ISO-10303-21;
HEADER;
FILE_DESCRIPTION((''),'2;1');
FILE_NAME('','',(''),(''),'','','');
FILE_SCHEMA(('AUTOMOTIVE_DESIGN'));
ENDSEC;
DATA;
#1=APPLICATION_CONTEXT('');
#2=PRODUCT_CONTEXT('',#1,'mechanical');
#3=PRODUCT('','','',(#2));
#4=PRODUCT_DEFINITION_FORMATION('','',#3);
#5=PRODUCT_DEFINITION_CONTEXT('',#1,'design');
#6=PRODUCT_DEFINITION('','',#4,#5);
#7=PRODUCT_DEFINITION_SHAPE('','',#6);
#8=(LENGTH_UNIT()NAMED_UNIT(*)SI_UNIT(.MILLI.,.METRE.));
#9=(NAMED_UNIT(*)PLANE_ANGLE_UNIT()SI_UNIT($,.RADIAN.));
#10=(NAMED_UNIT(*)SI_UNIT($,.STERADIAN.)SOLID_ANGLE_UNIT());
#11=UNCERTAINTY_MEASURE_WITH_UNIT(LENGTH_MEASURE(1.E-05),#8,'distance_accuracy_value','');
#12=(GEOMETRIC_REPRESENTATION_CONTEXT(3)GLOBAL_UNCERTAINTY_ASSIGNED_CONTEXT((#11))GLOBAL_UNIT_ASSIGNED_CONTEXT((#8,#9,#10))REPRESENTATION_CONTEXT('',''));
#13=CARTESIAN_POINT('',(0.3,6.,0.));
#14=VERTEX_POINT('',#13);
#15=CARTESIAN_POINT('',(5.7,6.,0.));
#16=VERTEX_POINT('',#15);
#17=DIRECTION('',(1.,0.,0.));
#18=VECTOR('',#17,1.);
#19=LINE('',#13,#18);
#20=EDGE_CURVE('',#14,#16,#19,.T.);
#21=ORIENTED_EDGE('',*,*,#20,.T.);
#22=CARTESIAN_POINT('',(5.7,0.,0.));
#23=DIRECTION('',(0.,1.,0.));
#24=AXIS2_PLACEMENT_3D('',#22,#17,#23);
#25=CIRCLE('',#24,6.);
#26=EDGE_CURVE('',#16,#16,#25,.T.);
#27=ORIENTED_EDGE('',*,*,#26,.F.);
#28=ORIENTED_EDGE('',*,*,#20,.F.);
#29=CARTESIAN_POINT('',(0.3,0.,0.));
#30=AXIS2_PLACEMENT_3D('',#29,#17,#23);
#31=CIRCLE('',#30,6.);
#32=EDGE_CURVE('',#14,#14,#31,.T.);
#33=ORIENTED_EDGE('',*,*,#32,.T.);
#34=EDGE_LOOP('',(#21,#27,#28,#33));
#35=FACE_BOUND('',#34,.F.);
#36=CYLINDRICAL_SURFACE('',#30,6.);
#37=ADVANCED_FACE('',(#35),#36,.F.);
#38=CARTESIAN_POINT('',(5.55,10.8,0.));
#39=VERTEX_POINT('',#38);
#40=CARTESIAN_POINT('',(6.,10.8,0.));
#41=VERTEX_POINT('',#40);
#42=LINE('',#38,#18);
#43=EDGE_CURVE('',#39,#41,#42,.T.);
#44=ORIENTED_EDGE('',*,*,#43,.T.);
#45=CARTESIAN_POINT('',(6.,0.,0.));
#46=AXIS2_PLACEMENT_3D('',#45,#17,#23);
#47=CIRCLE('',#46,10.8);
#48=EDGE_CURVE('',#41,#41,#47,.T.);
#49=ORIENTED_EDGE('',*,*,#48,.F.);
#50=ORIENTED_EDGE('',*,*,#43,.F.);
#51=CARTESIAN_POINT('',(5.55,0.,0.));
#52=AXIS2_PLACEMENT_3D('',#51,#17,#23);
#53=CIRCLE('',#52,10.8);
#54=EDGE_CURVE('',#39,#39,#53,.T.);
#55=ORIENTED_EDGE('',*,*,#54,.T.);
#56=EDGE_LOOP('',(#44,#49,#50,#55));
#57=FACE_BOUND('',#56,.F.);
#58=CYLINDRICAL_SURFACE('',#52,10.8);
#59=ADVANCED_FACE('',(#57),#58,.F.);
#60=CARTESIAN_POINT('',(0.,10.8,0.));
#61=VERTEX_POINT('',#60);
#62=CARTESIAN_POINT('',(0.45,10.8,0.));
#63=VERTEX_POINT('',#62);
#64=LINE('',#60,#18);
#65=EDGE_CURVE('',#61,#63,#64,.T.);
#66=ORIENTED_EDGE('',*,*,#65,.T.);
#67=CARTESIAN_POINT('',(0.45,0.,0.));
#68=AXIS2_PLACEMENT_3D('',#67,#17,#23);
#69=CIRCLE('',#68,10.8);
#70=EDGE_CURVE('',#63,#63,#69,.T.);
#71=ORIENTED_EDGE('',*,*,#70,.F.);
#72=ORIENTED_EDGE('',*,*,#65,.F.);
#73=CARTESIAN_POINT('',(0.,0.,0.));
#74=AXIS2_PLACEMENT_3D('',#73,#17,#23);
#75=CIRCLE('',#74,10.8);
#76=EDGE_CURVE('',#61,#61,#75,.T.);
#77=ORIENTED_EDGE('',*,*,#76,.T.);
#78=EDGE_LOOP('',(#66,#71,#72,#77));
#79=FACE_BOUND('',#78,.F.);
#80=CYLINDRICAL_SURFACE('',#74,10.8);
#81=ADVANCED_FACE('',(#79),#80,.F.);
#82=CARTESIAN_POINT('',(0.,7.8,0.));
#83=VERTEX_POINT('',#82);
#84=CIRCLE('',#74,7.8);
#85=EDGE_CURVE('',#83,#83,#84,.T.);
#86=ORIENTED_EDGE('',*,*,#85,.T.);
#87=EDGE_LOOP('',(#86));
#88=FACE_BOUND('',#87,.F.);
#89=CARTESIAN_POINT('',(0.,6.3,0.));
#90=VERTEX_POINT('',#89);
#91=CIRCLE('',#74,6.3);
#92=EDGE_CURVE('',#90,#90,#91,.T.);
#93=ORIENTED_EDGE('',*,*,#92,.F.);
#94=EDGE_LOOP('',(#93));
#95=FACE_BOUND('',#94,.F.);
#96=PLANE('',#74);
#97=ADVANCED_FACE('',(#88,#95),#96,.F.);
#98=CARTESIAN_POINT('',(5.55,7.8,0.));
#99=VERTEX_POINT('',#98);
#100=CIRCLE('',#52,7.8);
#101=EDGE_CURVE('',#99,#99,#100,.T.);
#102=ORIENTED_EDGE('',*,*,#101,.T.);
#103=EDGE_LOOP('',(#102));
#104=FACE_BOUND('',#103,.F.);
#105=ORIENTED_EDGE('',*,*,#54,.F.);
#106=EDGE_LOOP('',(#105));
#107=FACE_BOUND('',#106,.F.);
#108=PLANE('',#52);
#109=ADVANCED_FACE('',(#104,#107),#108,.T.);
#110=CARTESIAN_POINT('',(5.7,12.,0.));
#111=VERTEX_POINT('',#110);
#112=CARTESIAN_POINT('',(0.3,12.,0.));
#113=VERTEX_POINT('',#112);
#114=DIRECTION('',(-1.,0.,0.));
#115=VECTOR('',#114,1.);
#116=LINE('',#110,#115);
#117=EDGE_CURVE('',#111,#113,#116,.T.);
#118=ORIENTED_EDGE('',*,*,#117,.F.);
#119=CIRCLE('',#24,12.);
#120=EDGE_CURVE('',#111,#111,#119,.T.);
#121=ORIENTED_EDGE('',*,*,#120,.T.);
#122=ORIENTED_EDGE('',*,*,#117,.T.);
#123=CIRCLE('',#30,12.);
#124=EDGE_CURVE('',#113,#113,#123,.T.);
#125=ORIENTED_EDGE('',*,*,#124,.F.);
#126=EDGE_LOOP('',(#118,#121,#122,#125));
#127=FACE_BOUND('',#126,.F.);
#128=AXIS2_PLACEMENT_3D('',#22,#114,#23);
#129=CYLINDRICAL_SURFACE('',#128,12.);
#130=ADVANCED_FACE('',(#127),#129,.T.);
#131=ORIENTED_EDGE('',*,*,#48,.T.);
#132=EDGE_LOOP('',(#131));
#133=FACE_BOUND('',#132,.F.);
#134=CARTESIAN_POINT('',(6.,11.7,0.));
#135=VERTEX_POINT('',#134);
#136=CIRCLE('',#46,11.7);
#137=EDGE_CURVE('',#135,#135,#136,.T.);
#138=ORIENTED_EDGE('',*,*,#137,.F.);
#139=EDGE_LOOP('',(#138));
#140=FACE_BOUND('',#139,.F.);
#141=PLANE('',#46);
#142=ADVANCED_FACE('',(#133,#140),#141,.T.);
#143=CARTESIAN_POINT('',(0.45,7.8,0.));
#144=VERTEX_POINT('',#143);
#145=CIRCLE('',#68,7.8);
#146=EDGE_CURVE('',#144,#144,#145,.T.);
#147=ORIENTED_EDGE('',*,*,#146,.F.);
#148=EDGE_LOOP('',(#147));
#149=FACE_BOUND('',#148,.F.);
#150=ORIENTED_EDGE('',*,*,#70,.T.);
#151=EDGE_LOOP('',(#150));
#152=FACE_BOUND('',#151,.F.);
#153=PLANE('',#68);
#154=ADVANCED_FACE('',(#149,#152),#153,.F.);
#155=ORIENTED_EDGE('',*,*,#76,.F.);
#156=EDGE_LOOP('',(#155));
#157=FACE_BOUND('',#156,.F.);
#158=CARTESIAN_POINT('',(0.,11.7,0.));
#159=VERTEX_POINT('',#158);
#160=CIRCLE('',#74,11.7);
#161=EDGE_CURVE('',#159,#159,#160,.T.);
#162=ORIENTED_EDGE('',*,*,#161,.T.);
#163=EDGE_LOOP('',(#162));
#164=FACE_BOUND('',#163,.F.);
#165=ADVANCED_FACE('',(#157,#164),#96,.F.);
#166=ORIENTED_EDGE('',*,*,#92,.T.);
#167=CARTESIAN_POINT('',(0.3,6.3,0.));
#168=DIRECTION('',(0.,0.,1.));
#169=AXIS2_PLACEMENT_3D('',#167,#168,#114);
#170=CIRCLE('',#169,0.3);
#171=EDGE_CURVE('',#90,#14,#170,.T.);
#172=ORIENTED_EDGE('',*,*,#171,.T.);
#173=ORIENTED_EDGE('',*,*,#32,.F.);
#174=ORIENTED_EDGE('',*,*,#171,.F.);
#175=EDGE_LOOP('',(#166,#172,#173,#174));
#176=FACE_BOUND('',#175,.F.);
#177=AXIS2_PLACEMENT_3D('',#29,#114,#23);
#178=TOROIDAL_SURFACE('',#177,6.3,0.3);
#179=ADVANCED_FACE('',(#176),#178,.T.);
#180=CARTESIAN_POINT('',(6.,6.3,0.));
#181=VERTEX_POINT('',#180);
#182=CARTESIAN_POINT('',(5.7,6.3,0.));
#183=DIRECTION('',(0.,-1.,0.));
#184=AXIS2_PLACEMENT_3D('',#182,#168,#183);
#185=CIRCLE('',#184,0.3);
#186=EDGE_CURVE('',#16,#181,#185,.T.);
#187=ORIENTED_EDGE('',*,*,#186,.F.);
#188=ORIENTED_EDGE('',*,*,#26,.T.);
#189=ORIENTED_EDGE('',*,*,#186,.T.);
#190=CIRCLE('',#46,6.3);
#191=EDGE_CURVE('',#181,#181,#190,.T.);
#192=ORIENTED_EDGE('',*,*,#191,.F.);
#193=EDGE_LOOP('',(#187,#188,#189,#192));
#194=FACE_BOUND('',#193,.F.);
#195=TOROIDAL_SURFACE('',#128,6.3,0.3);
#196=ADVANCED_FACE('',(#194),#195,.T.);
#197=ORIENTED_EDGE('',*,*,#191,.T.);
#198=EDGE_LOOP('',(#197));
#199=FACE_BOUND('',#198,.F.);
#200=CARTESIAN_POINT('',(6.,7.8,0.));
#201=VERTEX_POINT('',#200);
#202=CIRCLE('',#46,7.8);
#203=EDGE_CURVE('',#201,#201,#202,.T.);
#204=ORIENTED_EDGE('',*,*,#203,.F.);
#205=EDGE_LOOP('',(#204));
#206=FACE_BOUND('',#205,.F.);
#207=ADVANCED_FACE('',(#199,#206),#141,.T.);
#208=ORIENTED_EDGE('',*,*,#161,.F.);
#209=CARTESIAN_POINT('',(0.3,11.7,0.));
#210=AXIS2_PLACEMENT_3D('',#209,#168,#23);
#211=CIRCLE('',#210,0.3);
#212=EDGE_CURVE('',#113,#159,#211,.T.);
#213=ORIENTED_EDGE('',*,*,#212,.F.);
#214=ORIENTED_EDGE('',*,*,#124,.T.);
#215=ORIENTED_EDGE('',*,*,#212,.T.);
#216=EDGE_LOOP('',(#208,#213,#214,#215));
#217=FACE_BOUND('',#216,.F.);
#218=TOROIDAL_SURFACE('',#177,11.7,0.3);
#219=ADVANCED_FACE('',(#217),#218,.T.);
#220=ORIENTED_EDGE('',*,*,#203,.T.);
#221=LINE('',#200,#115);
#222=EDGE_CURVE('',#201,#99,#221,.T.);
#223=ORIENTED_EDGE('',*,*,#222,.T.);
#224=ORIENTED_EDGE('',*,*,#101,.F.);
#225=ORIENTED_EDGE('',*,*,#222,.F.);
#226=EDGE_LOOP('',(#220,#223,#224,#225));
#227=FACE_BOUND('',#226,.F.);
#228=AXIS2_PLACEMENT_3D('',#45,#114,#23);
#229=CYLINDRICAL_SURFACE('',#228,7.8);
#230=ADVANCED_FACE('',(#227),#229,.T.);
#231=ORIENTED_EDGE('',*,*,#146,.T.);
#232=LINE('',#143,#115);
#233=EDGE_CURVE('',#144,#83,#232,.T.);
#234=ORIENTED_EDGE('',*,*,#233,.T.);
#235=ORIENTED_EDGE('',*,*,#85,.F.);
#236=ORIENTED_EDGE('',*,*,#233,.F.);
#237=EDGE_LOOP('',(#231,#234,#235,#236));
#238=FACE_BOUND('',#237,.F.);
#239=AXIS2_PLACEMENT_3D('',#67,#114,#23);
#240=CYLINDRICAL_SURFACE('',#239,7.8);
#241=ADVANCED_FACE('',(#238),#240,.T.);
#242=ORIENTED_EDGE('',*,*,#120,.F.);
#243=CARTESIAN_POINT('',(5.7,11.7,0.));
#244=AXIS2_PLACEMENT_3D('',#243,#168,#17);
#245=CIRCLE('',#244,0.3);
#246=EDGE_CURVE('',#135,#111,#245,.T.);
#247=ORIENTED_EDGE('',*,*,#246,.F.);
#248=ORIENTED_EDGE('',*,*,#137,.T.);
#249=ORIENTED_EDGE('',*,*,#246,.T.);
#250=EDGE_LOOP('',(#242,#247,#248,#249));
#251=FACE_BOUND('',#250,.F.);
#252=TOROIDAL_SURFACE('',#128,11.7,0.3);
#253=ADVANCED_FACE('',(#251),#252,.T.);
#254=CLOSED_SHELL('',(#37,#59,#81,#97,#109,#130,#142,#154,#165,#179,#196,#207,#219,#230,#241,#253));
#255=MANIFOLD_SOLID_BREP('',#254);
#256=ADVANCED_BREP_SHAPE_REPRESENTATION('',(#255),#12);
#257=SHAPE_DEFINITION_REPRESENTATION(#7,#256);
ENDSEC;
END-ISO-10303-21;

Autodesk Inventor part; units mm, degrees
sketch "Sketch_1" plane through (0, 0, 0) normal (0, 0, 1) x (1, 0, 0)
  line L0 (6, 0) -> (0, 0)
  arc A0 (0, 6.3) -> (0.3, 6) centre (0.3, 6.3) ccw
  line L1 (0.3, 6) -> (5.7, 6)
  arc A1 (5.7, 6) -> (6, 6.3) centre (5.7, 6.3) ccw
  line L2 (6, 6.3) -> (6, 7.8)
  line L3 (6, 7.8) -> (5.55, 7.8)
  line L4 (5.55, 7.8) -> (5.55, 10.8)
  line L5 (5.55, 10.8) -> (6, 10.8)
  line L6 (6, 10.8) -> (6, 11.7)
  arc A2 (6, 11.7) -> (5.7, 12) centre (5.7, 11.7) ccw
  line L7 (5.7, 12) -> (0.3, 12)
  arc A3 (0.3, 12) -> (0, 11.7) centre (0.3, 11.7) ccw
  line L8 (0, 11.7) -> (0, 10.8)
  line L9 (0, 10.8) -> (0.45, 10.8)
  line L10 (0.45, 10.8) -> (0.45, 7.8)
  line L11 (0.45, 7.8) -> (0, 7.8)
  line L12 (0, 7.8) -> (0, 6.3)
revolve "Revolution1" add sketch "Sketch_1" angle 360 about axis through (6, 0, 0) along (1, 0, 0)
ref_plane "center_point_XY" through (3, 0, 0) normal (1, 0, 0) x (0, 0, -1)
ref_plane "center_point_YZ" through (3, 0, 0) normal (0, 0, -1) x (0, 1, 0)
ref_plane "center_point_ZX" through (3, 0, 0) normal (0, 1, 0) x (1, 0, 0)
ref_plane "to_housing_XY" through (0, 0, 0) normal (1, 0, 0) x (0, 0, -1)
ref_plane "to_housing_YZ" through (0, 0, 0) normal (0, 0, -1) x (0, 1, 0)
ref_plane "to_housing_ZX" through (0, 0, 0) normal (0, 1, 0) x (1, 0, 0)
ref_plane "to_ring_XY" through (5.1, 0, 0) normal (1, 0, 0) x (0, 0, -1)
ref_plane "to_ring_YZ" through (5.1, 0, 0) normal (0, 0, -1) x (0, 1, 0)
ref_plane "to_ring_ZX" through (5.1, 0, 0) normal (0, 1, 0) x (1, 0, 0)
properties part number "B6901ZZ" material "鋼、炭素鋼"
